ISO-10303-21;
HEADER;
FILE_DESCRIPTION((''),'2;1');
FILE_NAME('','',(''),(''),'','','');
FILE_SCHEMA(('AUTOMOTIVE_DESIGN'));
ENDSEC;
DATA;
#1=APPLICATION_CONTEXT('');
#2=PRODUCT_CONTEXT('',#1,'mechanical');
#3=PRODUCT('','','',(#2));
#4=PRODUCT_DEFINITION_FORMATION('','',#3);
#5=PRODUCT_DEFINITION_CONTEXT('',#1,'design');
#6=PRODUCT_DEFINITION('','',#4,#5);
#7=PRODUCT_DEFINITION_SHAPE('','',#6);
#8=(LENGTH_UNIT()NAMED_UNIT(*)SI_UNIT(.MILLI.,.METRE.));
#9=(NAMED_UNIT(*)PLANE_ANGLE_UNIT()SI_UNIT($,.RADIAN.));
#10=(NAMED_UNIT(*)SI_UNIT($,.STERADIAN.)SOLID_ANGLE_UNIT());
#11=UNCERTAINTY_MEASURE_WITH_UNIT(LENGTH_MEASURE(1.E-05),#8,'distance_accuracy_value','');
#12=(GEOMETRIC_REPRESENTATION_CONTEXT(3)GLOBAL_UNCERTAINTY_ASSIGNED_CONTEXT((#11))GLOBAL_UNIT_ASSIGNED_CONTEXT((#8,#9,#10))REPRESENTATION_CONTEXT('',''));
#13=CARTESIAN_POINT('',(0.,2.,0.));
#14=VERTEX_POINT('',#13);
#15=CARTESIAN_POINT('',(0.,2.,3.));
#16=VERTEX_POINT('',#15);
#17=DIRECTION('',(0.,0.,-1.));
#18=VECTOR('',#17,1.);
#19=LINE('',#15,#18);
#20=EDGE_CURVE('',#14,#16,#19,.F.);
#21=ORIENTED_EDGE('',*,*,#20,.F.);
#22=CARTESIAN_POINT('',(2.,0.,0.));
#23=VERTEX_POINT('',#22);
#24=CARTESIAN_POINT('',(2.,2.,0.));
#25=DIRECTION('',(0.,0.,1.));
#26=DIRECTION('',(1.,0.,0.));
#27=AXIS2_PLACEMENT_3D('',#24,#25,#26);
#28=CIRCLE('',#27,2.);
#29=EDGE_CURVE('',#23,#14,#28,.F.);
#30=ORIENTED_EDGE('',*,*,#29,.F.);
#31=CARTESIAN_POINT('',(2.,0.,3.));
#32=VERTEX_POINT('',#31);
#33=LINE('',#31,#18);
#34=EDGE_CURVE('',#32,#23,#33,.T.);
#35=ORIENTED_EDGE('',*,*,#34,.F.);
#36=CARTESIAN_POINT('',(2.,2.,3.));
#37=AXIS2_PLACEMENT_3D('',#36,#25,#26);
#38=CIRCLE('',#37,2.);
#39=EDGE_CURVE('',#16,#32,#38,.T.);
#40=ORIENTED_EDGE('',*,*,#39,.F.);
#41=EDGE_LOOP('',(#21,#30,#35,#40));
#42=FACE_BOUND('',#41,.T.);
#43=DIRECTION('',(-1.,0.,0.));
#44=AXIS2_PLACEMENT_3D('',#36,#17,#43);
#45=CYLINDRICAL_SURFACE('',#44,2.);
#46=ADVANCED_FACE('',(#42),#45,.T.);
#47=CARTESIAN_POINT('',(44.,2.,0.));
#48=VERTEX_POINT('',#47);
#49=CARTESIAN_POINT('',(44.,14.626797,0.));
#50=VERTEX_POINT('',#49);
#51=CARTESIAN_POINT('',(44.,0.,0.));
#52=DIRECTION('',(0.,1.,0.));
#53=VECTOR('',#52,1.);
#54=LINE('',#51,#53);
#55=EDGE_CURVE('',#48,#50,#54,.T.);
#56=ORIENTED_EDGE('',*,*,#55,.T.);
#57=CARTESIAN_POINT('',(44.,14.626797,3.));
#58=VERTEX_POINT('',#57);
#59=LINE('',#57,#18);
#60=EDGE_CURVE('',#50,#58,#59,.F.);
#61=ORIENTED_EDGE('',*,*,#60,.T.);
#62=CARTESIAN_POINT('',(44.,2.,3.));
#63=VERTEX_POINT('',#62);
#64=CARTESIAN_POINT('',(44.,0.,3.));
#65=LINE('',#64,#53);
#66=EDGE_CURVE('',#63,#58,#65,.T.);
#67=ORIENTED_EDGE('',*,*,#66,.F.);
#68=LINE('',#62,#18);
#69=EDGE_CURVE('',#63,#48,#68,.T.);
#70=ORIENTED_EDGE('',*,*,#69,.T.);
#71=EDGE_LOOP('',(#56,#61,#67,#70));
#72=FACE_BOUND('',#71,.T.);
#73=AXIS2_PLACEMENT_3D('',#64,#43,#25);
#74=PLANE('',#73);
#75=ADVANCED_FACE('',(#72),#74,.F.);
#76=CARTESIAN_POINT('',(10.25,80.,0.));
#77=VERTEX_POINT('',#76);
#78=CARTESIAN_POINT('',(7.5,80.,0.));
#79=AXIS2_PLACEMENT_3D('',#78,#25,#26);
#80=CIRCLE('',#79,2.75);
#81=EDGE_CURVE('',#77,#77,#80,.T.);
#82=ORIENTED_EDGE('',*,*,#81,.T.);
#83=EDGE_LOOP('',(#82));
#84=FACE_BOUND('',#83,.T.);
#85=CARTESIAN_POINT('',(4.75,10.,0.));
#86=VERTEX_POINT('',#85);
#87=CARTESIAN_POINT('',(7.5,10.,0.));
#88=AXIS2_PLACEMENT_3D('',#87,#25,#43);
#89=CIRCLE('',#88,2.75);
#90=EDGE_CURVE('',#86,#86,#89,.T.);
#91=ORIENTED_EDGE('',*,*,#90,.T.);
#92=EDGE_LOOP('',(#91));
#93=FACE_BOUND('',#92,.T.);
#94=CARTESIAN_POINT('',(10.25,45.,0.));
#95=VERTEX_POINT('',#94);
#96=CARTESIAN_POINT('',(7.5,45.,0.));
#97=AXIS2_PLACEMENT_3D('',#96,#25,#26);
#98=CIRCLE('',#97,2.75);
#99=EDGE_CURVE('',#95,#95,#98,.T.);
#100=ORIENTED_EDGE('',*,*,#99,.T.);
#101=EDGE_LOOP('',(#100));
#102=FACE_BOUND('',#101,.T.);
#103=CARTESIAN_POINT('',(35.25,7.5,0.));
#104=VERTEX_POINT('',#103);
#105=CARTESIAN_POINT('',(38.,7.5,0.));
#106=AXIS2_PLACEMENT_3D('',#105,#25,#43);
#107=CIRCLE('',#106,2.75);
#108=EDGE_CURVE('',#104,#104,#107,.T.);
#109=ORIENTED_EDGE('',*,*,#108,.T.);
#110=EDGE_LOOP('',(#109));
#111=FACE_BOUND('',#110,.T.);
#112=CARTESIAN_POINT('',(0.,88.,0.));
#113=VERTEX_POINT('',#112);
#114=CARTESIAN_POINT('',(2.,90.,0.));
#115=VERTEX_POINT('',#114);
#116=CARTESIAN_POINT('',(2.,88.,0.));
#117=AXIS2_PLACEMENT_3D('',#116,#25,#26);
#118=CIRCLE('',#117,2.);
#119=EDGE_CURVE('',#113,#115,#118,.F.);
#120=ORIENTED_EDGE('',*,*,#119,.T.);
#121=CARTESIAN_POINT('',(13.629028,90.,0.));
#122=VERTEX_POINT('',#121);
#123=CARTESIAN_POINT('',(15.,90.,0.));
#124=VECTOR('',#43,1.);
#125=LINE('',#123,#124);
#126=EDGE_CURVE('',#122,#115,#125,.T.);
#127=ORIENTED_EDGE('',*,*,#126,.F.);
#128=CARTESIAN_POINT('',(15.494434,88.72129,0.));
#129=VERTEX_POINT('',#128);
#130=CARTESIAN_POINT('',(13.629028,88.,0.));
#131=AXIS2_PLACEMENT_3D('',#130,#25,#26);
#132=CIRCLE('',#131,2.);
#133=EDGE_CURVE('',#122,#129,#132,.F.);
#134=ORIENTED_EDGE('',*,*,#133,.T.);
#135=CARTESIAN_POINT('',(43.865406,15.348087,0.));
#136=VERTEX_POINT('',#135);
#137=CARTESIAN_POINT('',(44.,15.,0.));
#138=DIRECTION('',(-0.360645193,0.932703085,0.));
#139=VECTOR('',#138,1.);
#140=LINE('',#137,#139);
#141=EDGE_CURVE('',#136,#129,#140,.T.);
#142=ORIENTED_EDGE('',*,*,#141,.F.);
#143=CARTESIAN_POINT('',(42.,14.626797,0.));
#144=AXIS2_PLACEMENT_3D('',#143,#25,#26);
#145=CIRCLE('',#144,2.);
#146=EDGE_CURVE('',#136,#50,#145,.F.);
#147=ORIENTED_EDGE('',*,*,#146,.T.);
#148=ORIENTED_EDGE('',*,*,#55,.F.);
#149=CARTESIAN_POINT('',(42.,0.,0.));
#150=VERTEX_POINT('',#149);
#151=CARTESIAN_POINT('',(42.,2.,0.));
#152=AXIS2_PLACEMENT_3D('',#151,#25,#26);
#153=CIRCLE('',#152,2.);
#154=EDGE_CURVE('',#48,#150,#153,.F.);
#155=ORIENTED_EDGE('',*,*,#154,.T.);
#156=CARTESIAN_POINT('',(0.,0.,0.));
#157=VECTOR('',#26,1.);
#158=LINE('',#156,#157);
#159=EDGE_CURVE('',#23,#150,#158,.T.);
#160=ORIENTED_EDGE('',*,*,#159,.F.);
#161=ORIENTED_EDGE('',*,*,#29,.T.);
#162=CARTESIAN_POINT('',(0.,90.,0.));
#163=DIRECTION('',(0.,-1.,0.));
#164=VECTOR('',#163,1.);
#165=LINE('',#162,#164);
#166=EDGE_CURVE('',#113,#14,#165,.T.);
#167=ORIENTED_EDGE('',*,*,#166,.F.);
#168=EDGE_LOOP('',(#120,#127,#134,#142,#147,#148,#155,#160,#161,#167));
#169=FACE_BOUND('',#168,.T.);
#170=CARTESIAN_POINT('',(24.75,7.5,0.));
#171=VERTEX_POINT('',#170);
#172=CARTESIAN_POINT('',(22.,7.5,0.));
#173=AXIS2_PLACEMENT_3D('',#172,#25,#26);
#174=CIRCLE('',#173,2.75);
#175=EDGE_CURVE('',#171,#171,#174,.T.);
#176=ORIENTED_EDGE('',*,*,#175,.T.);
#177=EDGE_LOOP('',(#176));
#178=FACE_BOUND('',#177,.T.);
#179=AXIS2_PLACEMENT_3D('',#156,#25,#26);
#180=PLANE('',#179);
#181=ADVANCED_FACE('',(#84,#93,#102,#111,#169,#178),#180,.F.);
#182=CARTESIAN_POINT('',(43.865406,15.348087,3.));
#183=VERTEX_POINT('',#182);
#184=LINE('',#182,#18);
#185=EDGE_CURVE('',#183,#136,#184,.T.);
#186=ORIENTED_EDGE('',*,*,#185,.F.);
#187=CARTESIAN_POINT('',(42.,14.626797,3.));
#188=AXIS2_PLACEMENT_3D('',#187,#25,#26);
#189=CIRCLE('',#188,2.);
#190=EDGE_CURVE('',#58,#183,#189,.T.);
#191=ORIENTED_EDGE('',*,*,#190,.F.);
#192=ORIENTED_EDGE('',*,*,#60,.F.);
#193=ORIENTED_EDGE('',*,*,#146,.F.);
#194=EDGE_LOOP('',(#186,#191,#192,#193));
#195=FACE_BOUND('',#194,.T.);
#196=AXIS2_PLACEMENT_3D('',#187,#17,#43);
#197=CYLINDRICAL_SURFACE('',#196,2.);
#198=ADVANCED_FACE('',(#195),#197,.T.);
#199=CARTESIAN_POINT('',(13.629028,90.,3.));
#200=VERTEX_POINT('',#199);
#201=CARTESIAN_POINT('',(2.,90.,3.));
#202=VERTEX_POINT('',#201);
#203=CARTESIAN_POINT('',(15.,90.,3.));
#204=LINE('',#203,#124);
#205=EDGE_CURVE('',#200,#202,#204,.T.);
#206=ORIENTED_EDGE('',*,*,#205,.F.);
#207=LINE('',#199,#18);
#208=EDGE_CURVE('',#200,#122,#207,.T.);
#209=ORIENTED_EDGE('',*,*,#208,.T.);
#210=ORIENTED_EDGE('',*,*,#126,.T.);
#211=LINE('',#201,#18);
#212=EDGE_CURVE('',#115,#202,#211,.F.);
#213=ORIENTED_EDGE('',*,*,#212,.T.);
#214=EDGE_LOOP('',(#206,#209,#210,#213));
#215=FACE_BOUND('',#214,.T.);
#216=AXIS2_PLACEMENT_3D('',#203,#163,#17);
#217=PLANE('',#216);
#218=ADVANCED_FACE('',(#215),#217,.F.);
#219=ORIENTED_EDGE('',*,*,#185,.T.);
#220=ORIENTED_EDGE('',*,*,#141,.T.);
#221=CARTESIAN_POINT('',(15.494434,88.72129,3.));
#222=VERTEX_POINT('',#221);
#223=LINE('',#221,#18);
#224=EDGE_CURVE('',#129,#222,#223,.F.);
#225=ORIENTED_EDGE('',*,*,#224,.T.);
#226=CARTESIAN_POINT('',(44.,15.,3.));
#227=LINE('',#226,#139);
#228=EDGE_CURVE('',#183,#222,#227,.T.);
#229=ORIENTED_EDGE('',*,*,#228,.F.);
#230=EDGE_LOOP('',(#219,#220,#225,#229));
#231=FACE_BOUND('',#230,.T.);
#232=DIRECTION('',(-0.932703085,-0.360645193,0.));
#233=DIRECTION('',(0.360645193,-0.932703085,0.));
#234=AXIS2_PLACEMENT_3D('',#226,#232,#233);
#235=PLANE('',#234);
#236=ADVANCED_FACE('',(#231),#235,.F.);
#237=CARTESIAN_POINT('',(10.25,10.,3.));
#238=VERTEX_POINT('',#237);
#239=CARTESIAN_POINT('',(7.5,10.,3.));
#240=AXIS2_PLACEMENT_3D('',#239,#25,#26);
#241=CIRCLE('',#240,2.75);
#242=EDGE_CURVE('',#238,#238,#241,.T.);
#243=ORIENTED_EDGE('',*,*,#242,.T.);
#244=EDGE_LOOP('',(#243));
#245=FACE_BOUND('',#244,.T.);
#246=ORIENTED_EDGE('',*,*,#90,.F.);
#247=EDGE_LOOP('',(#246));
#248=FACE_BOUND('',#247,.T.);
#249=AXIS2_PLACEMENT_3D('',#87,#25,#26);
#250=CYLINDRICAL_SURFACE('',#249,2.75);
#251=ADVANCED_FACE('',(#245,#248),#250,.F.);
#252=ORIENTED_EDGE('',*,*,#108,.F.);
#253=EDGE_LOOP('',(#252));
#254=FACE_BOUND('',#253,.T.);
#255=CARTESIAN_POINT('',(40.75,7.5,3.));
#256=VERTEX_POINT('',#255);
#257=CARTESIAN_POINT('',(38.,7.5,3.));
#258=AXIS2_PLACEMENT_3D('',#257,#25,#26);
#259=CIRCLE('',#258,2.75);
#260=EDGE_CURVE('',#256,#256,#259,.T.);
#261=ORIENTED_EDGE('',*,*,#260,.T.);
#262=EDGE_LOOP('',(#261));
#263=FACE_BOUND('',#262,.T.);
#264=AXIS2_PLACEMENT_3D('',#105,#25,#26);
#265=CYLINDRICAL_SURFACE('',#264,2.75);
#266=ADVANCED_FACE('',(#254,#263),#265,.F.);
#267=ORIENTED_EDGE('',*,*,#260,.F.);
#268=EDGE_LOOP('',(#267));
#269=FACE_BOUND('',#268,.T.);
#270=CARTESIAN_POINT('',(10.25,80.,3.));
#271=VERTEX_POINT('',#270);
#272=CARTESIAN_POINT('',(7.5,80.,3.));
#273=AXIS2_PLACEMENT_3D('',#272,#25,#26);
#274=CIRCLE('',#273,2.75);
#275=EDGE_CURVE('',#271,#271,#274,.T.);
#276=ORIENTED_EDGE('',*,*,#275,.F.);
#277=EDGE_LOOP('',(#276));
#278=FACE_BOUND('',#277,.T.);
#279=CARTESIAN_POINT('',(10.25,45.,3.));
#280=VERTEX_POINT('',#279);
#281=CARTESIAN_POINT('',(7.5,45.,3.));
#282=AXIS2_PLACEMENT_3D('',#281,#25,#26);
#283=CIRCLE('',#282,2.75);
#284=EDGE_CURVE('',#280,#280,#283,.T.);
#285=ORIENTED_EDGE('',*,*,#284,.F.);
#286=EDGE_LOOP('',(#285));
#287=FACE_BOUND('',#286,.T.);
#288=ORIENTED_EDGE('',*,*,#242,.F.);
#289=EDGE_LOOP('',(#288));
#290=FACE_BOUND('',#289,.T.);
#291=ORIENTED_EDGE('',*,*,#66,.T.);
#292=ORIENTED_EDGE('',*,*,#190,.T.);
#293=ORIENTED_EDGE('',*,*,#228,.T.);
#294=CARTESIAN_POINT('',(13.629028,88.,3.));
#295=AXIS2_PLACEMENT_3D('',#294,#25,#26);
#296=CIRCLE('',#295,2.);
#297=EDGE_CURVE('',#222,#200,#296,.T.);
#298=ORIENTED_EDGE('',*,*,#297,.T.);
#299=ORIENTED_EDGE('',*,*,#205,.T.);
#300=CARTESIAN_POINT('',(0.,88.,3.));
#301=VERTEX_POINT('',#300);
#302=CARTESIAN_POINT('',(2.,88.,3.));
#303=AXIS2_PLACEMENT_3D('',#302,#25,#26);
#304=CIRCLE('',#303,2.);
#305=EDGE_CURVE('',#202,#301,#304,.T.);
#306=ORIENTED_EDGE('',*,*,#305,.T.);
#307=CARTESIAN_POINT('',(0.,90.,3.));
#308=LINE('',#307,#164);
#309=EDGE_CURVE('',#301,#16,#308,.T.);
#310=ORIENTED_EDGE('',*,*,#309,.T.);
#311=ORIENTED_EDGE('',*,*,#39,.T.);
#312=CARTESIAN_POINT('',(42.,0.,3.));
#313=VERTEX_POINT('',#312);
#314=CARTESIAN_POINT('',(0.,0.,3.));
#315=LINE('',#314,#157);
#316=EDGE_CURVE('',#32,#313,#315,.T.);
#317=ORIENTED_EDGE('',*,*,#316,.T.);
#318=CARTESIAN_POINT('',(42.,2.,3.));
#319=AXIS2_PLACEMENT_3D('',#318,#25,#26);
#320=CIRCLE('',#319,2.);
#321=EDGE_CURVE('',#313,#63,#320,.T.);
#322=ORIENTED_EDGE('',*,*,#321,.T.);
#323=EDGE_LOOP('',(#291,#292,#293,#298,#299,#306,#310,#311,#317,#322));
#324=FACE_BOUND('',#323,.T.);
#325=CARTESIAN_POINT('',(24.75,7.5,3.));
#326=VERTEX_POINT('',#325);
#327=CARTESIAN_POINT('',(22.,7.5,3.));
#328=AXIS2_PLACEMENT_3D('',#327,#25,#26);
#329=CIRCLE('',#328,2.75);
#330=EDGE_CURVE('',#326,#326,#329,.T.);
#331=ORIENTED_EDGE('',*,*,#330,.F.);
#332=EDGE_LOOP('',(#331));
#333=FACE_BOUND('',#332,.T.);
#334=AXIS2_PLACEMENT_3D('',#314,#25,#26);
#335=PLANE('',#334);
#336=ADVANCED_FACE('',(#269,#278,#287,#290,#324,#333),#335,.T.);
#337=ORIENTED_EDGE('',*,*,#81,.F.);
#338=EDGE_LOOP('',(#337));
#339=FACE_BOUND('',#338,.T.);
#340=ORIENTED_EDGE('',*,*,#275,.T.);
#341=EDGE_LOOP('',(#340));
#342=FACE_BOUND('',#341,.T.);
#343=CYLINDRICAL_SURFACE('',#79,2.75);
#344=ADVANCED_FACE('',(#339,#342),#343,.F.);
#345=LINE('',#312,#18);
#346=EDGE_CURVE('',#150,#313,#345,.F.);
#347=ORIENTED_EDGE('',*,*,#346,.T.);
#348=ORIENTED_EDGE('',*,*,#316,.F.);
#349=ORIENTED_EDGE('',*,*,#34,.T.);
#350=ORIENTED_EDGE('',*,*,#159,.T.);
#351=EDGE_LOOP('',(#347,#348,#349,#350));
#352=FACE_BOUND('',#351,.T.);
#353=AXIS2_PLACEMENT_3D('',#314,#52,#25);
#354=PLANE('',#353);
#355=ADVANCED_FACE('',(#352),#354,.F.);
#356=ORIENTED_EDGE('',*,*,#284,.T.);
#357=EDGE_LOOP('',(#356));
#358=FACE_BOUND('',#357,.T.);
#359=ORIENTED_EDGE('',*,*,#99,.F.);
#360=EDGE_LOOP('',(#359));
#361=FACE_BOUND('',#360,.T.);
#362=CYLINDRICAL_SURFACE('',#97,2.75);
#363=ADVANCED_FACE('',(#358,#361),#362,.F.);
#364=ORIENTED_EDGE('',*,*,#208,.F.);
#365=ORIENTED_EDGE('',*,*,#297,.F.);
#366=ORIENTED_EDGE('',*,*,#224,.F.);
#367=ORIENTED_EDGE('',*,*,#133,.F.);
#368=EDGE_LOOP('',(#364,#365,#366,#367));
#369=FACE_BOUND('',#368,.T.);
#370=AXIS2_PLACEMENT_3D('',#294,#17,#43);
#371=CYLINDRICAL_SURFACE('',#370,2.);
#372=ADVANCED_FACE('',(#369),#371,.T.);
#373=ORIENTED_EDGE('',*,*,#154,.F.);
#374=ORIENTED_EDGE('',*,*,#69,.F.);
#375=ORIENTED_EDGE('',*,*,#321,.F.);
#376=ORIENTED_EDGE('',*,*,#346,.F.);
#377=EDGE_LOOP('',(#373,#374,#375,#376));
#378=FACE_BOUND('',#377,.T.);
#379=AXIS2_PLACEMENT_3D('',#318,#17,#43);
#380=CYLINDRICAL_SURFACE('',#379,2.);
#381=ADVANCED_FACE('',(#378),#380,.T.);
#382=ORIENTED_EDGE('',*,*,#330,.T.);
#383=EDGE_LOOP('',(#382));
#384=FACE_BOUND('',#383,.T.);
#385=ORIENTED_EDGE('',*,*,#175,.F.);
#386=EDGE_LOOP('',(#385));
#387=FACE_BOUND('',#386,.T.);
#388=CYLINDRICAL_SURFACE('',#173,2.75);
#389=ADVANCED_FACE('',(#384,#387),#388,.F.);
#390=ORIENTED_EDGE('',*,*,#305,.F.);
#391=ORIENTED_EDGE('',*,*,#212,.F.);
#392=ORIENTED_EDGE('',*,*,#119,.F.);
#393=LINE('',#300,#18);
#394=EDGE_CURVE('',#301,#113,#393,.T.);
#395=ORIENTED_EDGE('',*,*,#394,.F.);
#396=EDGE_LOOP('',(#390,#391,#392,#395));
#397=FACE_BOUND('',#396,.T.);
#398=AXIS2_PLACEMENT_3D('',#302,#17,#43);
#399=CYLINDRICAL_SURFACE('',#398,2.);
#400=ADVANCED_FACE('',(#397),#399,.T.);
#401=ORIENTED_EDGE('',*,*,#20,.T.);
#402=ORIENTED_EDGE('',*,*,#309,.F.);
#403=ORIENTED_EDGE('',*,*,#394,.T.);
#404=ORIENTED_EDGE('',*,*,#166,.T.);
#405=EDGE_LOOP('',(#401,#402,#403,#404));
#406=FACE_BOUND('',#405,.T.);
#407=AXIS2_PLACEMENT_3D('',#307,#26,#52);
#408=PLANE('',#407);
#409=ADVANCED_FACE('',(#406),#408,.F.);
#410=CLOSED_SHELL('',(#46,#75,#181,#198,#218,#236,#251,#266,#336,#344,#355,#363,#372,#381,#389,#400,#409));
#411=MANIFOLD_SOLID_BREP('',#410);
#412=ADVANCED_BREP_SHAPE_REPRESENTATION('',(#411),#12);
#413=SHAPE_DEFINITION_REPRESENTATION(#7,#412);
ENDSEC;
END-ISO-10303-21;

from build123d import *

# Parameters (mm, degrees)
BOSS_EXTRU_1_DEPTH           = 3
ENL_V_MAT_EXTRU_1_DEPTH      = 101.224747443
ENL_V_MAT_EXTRU_1_DEPTH_BACK = 101.224747443
ESQUISSE2_R                  = 2.75
CONG_1_R                     = 2


with BuildPart() as part:
    # Esquisse1 → Boss.-Extru.1 (new body)
    with BuildSketch(Plane.XY):
        Polygon((0, 0), (44, 0), (44, 15), (15, 90), (0, 90), align=None)
    extrude(amount=BOSS_EXTRU_1_DEPTH)

    # Esquisse2 → Enlèv. mat.-Extru.1 (cut, two sides: drawn at the far end of the back side and taken through both)
    with BuildSketch(Plane.XY.offset(3).offset(-ENL_V_MAT_EXTRU_1_DEPTH_BACK)):
        with Locations((7.5, 10)):
            Circle(ESQUISSE2_R)
        with Locations((7.5, 45)):
            Circle(ESQUISSE2_R)
        with Locations((7.5, 80)):
            Circle(ESQUISSE2_R)
        with Locations((22, 7.5)):
            Circle(ESQUISSE2_R)
        with Locations((38, 7.5)):
            Circle(ESQUISSE2_R)
    extrude(amount=ENL_V_MAT_EXTRU_1_DEPTH + ENL_V_MAT_EXTRU_1_DEPTH_BACK, mode=Mode.SUBTRACT)

    # Congé1
    cong_1_edges = [part.edges().sort_by_distance(p)[0] for p in [
        (0, 90, 1.5),
        (15, 90, 1.5),
        (44, 15, 1.5),
        (44, 0, 1.5),
        (0, 0, 1.5),
    ]]
    fillet(cong_1_edges, radius=CONG_1_R)


solid = part.part
